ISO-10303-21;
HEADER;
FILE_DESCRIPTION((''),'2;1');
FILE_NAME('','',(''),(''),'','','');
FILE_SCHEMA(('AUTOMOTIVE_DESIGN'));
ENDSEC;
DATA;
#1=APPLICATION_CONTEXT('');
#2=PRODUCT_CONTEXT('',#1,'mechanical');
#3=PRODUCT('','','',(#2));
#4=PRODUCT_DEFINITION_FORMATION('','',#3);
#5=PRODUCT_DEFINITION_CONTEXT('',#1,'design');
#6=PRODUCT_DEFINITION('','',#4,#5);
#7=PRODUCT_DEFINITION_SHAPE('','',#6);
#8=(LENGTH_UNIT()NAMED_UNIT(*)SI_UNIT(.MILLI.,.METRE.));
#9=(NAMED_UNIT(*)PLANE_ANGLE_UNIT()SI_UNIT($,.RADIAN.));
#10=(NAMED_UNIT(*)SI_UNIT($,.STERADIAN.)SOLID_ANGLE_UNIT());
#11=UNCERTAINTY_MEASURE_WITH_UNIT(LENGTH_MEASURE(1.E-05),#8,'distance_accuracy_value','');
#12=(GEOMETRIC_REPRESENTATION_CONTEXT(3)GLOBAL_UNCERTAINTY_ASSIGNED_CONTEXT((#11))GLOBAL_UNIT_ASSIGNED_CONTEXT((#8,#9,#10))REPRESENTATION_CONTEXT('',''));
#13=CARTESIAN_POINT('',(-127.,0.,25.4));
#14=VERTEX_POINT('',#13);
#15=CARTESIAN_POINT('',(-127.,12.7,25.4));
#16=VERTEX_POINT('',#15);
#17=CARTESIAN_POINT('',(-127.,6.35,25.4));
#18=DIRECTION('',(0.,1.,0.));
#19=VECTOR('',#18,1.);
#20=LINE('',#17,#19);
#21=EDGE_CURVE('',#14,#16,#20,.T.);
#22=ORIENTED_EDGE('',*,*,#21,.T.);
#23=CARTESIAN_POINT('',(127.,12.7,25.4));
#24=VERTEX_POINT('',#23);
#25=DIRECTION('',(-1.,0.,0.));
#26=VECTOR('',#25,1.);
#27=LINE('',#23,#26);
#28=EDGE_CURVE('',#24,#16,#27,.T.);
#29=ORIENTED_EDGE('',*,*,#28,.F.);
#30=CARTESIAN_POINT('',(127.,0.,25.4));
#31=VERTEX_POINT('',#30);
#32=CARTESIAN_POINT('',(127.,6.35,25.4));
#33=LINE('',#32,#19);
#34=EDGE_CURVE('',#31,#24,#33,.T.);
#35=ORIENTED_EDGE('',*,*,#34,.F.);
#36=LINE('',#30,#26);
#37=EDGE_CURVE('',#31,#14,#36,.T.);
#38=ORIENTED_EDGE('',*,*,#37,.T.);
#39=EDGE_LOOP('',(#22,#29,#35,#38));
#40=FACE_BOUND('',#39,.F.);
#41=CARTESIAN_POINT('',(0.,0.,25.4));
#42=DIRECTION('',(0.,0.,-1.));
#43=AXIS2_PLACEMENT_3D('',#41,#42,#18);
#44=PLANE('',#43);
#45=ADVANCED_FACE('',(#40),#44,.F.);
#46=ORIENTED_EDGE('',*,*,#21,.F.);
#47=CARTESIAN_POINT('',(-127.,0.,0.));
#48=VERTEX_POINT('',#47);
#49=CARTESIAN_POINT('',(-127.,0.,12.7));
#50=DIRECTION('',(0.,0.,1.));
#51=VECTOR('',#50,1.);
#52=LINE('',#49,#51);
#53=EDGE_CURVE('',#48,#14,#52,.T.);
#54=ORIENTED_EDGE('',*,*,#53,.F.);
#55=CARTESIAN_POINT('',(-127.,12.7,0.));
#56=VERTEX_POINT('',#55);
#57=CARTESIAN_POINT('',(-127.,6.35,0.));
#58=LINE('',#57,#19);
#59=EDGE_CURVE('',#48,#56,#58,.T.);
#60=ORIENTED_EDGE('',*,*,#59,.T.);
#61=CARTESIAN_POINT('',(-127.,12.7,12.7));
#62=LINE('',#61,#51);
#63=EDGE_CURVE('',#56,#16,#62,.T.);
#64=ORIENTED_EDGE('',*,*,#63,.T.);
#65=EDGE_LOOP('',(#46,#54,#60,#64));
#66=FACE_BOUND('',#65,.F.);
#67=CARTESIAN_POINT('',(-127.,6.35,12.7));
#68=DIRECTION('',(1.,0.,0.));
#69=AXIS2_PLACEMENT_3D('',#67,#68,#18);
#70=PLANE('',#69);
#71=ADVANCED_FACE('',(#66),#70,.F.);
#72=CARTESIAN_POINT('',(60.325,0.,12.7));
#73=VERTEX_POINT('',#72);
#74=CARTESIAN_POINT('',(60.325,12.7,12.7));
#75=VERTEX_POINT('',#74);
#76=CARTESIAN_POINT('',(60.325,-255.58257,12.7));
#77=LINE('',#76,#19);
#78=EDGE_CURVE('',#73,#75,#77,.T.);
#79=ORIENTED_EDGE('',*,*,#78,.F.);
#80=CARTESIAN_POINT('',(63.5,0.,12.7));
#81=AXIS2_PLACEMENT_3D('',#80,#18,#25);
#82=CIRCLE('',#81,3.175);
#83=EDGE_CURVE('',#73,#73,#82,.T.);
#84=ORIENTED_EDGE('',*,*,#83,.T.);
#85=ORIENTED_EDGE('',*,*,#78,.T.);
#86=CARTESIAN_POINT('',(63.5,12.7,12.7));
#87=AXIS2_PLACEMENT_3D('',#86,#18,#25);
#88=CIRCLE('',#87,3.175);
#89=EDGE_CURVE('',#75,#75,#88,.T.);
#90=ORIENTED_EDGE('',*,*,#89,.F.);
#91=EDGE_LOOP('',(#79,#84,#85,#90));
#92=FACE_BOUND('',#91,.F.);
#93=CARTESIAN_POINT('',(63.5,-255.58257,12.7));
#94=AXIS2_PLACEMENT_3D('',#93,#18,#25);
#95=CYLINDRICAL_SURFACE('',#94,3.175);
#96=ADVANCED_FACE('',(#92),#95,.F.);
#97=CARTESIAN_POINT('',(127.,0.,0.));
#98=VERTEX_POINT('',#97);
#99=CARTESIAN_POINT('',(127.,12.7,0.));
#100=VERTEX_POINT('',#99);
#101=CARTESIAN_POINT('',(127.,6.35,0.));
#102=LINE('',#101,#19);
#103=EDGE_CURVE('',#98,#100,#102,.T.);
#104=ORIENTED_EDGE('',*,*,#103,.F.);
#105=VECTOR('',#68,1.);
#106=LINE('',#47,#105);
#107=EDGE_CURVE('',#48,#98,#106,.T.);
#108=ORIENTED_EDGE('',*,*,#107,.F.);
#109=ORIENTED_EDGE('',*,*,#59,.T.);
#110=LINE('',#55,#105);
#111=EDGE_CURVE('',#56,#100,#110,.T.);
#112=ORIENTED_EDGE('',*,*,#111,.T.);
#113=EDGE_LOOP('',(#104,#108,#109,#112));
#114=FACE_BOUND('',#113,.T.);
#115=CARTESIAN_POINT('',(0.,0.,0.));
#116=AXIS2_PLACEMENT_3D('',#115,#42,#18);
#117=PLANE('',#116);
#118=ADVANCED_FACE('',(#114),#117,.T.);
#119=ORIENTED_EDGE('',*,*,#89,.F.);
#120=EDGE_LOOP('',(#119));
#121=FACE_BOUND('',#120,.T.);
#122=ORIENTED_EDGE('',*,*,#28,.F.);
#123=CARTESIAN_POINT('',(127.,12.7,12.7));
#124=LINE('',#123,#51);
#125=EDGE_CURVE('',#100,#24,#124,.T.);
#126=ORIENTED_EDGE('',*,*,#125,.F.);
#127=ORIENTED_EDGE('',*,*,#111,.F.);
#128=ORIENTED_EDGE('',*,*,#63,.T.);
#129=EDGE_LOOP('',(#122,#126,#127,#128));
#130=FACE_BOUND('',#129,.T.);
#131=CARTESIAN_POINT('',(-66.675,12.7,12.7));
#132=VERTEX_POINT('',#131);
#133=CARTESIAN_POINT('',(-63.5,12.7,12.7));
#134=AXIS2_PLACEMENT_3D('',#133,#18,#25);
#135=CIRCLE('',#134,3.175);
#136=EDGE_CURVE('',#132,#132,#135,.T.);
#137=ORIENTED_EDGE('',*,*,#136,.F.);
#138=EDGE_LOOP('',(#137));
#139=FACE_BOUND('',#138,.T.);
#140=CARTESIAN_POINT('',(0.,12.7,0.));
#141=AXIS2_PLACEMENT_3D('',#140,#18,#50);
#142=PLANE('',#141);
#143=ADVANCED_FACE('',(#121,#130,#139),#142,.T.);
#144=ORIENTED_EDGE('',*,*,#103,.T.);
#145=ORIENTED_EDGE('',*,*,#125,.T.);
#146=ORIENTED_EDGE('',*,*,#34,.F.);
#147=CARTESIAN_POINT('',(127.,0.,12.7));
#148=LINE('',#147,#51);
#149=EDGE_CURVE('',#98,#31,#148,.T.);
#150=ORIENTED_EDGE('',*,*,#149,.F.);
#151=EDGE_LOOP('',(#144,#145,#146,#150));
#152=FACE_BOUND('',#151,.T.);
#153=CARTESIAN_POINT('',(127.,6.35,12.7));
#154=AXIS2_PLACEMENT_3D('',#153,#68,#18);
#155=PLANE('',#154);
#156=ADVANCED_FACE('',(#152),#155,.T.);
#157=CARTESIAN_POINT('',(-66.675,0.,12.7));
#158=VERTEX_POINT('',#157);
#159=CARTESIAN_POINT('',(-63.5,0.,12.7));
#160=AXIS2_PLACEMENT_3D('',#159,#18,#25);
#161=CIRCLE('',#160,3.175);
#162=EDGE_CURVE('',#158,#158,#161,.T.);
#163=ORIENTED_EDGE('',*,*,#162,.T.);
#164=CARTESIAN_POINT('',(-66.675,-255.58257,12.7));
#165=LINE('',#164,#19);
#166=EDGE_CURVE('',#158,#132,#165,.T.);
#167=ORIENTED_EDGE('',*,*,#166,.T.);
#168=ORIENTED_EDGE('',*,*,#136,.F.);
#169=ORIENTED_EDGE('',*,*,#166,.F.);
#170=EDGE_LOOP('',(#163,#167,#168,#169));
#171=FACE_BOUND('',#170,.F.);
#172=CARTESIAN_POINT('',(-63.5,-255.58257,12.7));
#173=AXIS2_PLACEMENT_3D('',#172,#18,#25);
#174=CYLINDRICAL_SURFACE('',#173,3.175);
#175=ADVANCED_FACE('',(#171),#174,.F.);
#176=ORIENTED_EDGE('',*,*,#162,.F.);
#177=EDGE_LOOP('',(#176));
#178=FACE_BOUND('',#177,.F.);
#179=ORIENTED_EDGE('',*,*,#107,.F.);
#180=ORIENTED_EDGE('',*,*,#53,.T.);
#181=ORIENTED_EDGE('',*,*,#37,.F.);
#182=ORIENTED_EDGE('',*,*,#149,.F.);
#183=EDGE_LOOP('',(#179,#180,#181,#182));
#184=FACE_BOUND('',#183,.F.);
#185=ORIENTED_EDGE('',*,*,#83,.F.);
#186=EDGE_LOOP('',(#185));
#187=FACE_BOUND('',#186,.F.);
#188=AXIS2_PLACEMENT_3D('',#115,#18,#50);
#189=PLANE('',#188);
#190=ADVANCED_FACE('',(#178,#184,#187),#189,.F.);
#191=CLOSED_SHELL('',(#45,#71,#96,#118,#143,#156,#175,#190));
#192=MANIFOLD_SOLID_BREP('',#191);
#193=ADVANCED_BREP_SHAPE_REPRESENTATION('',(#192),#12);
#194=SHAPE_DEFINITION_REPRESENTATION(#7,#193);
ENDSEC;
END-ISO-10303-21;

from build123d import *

# Parameters (mm, degrees)
F0_W          = 12.7
F0_H          = 25.4
F1_DEPTH      = 127
F1_DEPTH_BACK = 127
F3_D          = 6.35


with BuildPart() as f1:
    # F0 (on Right) → F1 (new body, two sides)
    with BuildSketch(Plane.YZ) as f1_sk:
        with Locations((6.35, 12.7)):
            Rectangle(F0_W, F0_H)
    extrude(amount=F1_DEPTH)
    extrude(f1_sk.sketch, amount=-F1_DEPTH_BACK)

    # F3 (through all)
    with Locations(Plane.XZ):
        with Locations((-63.5, 12.7), (63.5, 12.7)):
            Hole(F3_D / 2)


solid = f1.part
